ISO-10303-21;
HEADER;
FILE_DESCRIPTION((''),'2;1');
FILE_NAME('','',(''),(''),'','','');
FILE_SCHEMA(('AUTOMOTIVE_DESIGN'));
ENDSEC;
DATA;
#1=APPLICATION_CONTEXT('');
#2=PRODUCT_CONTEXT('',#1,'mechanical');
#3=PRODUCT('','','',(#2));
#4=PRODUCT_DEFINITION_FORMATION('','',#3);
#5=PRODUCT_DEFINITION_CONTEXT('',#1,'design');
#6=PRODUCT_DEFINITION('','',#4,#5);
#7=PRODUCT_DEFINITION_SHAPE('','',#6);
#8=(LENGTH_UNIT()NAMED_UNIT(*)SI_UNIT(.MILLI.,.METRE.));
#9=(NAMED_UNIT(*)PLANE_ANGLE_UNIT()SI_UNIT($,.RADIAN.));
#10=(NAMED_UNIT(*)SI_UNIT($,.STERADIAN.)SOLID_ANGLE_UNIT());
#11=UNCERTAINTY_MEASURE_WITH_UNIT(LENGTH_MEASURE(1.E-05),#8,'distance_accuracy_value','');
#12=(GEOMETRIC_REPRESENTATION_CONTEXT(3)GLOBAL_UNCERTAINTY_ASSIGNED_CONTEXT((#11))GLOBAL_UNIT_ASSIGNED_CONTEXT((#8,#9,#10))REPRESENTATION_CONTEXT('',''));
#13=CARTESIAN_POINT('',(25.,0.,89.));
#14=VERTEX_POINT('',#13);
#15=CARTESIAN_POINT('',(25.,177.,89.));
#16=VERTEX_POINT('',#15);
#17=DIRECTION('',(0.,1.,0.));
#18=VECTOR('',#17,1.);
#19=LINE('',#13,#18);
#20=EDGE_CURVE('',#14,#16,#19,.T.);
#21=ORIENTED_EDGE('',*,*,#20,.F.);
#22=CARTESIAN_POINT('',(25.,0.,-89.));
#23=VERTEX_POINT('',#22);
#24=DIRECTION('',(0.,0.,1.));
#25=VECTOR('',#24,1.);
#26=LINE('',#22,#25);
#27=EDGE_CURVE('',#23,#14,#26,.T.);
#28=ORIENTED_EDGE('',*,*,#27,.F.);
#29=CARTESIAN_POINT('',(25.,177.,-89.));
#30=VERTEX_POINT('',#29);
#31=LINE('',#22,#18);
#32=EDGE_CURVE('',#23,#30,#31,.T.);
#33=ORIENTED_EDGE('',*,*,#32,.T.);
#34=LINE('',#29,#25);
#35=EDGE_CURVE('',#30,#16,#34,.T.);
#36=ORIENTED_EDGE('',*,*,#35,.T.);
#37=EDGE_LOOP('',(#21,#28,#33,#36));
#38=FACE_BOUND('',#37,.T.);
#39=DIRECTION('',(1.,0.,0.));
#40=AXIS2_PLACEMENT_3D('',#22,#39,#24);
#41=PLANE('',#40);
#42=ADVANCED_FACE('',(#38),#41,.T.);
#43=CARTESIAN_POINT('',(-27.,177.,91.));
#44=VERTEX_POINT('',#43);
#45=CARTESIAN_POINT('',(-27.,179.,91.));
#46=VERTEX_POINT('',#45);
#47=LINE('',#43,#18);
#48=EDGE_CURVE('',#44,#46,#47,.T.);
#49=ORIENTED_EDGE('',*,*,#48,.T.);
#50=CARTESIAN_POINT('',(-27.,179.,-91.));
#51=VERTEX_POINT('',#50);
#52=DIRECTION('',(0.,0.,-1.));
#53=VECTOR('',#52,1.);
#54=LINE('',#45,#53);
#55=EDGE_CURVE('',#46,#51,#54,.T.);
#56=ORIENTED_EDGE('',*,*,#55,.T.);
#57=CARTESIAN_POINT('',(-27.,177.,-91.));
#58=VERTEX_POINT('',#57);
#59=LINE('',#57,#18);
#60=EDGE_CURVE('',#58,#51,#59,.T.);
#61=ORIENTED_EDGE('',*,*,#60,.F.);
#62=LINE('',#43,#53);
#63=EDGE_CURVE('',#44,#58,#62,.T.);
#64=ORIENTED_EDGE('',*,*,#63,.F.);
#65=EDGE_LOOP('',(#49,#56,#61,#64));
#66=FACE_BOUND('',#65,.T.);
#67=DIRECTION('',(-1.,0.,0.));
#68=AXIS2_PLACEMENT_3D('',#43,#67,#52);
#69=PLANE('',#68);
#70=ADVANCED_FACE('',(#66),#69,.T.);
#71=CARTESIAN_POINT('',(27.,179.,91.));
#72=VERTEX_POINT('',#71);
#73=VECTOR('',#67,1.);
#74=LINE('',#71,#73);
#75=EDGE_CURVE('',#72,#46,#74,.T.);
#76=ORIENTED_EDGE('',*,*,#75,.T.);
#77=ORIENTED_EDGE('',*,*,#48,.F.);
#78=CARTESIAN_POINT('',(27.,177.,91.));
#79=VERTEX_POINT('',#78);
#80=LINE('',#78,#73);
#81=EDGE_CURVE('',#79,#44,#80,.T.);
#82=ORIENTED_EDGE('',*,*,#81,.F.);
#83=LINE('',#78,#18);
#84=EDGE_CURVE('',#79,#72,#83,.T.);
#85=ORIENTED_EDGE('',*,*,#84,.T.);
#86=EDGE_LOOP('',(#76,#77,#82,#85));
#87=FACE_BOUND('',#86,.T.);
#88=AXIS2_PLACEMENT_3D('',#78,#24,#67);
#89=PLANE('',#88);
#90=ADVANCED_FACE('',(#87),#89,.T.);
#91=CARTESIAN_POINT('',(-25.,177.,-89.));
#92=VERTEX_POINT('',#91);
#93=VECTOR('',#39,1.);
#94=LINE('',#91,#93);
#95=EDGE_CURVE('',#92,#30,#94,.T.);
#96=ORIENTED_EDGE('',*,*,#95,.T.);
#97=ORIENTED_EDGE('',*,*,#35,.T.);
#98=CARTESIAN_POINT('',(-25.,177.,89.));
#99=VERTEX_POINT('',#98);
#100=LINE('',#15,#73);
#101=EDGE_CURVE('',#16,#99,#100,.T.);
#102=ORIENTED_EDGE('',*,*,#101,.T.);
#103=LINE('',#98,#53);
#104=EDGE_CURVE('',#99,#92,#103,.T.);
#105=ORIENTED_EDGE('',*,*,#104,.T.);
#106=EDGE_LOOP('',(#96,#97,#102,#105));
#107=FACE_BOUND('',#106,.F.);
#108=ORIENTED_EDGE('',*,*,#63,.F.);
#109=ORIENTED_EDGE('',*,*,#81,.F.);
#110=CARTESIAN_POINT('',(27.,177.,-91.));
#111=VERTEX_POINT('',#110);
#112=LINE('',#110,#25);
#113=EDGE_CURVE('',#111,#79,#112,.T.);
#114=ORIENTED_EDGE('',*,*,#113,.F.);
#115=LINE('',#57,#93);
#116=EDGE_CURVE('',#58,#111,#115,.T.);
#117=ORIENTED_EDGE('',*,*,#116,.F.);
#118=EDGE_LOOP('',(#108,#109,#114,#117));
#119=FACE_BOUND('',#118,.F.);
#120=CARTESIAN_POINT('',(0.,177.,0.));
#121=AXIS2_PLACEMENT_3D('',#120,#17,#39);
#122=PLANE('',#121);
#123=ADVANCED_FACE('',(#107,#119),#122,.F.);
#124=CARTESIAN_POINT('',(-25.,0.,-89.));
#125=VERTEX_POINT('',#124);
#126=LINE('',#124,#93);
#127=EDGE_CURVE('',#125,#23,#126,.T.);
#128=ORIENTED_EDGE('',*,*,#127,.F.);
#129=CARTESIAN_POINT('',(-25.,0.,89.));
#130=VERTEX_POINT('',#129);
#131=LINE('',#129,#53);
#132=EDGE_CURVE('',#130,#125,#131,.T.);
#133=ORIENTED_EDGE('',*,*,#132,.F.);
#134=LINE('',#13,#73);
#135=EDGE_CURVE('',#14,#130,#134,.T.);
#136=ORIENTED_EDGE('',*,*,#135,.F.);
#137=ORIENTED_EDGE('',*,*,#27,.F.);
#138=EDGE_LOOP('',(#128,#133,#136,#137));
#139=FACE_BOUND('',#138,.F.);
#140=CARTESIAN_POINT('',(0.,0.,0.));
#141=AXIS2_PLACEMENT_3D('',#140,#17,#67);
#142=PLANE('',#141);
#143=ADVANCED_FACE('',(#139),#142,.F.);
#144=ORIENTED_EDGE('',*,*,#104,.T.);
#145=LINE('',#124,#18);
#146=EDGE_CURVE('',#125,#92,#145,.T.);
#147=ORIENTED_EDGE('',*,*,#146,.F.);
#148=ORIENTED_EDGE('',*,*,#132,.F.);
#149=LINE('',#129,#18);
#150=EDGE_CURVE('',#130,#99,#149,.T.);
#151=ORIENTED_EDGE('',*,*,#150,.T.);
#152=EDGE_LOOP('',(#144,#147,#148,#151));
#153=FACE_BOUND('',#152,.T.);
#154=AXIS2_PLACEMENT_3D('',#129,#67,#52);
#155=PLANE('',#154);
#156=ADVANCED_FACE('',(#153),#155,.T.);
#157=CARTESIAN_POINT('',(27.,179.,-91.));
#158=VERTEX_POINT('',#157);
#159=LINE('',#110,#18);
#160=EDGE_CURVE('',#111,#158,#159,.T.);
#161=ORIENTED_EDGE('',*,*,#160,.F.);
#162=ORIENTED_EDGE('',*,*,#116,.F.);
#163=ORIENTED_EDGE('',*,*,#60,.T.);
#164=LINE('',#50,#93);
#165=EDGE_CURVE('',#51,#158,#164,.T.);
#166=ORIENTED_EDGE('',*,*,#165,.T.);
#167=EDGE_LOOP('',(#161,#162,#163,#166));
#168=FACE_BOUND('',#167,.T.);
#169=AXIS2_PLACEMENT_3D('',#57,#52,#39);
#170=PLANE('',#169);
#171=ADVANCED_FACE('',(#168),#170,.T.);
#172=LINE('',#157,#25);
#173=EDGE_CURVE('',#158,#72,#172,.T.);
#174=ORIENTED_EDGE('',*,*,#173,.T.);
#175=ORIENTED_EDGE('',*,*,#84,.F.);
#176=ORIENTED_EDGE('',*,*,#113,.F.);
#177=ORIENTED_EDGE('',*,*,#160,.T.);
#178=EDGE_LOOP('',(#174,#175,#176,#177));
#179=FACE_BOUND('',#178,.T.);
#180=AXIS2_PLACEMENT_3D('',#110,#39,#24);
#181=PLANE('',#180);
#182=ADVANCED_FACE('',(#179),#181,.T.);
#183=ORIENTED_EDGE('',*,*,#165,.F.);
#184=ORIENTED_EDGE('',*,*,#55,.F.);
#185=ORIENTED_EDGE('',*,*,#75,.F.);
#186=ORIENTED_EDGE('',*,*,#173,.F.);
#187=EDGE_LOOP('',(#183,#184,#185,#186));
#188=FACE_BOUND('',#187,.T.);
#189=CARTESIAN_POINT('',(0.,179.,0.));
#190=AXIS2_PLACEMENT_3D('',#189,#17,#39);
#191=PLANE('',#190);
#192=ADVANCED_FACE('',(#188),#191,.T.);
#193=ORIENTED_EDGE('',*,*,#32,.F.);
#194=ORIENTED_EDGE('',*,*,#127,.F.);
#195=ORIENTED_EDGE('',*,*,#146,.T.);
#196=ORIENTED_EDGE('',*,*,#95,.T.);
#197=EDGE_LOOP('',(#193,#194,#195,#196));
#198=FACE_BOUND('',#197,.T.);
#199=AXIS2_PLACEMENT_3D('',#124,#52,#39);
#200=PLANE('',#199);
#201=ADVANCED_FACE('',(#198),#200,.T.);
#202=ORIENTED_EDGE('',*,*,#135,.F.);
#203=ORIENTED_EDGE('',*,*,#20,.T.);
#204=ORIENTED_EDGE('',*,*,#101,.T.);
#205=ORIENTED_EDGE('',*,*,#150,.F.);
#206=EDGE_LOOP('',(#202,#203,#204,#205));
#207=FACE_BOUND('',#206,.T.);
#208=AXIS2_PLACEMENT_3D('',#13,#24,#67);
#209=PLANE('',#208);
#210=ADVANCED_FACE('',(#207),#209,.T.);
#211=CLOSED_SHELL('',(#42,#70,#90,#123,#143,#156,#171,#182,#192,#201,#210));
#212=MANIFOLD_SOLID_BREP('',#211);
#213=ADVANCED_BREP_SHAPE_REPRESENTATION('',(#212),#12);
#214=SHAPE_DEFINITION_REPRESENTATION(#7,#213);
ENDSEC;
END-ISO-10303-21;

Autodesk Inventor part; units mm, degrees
ref_plane "YZ Plane" through (0, 0, 0) normal (1, 0, 0) x (0, 1, 0)
ref_plane "XZ Plane" through (0, 0, 0) normal (0, 1, 0) x (-1, 0, 0)
ref_plane "XY Plane" through (0, 0, 0) normal (0, 0, 1) x (1, 0, 0)
sketch "Sketch1" plane through (0, 0, 0) normal (0, 1, 0) x (-1, 0, 0)
  line L0 (-25, 89) -> (25, 89)
  line L1 (25, 89) -> (25, -89)
  line L2 (25, -89) -> (-25, -89)
  line L3 (-25, -89) -> (-25, 89)
  line L4 (-25, 89) -> (25, -89) construction
  line L5 (25, 89) -> (-25, -89) construction
  point P0 (0, 0)
  dimension "d0" = 178
  dimension "d1" = 50
extrude "Extrusion1" add sketch "Sketch1" along normal blind 177
sketch "Sketch2" plane through (0, 177, 0) normal (0, 1, 0) x (1, 0, 0)
  line L0 (27, -91) -> (-27, -91)
  line L1 (-27, -91) -> (-27, 91)
  line L2 (-27, 91) -> (27, 91)
  line L3 (27, 91) -> (27, -91)
  line L4 (27, -91) -> (-27, 91) construction
  line L5 (-27, -91) -> (27, 91) construction
  line L6 (25, 89) -> (-25, 89) projected
  line L7 (-25, 89) -> (-25, -89) projected
  point P0 (0, 0)
  dimension "d4" = 2
  dimension "d5" = 2
extrude "Extrusion2" add sketch "Sketch2" along normal blind 2
sketch "Sketch3" plane through (0, 179, 0) normal (0, 1, 0) x (1, 0, 0)
  line L0 (-28.0615, -91.1516) -> (-28.0615, 90.8484) construction
  line L1 (-28.0615, 90.8484) -> (28.3189, 90.8484) construction
  line L2 (28.3189, 90.8484) -> (28.3189, -91.1516) construction
  line L3 (28.3189, -91.1516) -> (-28.0615, -91.1516) construction
equation "\"d0\" = l_stereo"
equation "\"d1\" = w_stereo"
equation "\"d2\" = d_stereo"
equation "\"d5\" = d4"
equation "\"wl_panel\" = 285"
equation "\"t_panel\" = 8"
equation "\"r_button\" = 8"
equation "\"l_stereo\" = 178"
equation "\"w_stereo\" = 50"
equation "\"d_stereo\" = 177"
equation "\"w_label\" = 15"
equation "\"r_labelscrew\" = 2.5"
equation "\"ro_labelscrew\" = 5"
equation "\"l_buttontobutton\" = 25"
equation "\"r_usboutlet\" = 29"
equation "\"l_fastener_button\" = 19"
properties part number "stereo" material "Stainless Steel"
